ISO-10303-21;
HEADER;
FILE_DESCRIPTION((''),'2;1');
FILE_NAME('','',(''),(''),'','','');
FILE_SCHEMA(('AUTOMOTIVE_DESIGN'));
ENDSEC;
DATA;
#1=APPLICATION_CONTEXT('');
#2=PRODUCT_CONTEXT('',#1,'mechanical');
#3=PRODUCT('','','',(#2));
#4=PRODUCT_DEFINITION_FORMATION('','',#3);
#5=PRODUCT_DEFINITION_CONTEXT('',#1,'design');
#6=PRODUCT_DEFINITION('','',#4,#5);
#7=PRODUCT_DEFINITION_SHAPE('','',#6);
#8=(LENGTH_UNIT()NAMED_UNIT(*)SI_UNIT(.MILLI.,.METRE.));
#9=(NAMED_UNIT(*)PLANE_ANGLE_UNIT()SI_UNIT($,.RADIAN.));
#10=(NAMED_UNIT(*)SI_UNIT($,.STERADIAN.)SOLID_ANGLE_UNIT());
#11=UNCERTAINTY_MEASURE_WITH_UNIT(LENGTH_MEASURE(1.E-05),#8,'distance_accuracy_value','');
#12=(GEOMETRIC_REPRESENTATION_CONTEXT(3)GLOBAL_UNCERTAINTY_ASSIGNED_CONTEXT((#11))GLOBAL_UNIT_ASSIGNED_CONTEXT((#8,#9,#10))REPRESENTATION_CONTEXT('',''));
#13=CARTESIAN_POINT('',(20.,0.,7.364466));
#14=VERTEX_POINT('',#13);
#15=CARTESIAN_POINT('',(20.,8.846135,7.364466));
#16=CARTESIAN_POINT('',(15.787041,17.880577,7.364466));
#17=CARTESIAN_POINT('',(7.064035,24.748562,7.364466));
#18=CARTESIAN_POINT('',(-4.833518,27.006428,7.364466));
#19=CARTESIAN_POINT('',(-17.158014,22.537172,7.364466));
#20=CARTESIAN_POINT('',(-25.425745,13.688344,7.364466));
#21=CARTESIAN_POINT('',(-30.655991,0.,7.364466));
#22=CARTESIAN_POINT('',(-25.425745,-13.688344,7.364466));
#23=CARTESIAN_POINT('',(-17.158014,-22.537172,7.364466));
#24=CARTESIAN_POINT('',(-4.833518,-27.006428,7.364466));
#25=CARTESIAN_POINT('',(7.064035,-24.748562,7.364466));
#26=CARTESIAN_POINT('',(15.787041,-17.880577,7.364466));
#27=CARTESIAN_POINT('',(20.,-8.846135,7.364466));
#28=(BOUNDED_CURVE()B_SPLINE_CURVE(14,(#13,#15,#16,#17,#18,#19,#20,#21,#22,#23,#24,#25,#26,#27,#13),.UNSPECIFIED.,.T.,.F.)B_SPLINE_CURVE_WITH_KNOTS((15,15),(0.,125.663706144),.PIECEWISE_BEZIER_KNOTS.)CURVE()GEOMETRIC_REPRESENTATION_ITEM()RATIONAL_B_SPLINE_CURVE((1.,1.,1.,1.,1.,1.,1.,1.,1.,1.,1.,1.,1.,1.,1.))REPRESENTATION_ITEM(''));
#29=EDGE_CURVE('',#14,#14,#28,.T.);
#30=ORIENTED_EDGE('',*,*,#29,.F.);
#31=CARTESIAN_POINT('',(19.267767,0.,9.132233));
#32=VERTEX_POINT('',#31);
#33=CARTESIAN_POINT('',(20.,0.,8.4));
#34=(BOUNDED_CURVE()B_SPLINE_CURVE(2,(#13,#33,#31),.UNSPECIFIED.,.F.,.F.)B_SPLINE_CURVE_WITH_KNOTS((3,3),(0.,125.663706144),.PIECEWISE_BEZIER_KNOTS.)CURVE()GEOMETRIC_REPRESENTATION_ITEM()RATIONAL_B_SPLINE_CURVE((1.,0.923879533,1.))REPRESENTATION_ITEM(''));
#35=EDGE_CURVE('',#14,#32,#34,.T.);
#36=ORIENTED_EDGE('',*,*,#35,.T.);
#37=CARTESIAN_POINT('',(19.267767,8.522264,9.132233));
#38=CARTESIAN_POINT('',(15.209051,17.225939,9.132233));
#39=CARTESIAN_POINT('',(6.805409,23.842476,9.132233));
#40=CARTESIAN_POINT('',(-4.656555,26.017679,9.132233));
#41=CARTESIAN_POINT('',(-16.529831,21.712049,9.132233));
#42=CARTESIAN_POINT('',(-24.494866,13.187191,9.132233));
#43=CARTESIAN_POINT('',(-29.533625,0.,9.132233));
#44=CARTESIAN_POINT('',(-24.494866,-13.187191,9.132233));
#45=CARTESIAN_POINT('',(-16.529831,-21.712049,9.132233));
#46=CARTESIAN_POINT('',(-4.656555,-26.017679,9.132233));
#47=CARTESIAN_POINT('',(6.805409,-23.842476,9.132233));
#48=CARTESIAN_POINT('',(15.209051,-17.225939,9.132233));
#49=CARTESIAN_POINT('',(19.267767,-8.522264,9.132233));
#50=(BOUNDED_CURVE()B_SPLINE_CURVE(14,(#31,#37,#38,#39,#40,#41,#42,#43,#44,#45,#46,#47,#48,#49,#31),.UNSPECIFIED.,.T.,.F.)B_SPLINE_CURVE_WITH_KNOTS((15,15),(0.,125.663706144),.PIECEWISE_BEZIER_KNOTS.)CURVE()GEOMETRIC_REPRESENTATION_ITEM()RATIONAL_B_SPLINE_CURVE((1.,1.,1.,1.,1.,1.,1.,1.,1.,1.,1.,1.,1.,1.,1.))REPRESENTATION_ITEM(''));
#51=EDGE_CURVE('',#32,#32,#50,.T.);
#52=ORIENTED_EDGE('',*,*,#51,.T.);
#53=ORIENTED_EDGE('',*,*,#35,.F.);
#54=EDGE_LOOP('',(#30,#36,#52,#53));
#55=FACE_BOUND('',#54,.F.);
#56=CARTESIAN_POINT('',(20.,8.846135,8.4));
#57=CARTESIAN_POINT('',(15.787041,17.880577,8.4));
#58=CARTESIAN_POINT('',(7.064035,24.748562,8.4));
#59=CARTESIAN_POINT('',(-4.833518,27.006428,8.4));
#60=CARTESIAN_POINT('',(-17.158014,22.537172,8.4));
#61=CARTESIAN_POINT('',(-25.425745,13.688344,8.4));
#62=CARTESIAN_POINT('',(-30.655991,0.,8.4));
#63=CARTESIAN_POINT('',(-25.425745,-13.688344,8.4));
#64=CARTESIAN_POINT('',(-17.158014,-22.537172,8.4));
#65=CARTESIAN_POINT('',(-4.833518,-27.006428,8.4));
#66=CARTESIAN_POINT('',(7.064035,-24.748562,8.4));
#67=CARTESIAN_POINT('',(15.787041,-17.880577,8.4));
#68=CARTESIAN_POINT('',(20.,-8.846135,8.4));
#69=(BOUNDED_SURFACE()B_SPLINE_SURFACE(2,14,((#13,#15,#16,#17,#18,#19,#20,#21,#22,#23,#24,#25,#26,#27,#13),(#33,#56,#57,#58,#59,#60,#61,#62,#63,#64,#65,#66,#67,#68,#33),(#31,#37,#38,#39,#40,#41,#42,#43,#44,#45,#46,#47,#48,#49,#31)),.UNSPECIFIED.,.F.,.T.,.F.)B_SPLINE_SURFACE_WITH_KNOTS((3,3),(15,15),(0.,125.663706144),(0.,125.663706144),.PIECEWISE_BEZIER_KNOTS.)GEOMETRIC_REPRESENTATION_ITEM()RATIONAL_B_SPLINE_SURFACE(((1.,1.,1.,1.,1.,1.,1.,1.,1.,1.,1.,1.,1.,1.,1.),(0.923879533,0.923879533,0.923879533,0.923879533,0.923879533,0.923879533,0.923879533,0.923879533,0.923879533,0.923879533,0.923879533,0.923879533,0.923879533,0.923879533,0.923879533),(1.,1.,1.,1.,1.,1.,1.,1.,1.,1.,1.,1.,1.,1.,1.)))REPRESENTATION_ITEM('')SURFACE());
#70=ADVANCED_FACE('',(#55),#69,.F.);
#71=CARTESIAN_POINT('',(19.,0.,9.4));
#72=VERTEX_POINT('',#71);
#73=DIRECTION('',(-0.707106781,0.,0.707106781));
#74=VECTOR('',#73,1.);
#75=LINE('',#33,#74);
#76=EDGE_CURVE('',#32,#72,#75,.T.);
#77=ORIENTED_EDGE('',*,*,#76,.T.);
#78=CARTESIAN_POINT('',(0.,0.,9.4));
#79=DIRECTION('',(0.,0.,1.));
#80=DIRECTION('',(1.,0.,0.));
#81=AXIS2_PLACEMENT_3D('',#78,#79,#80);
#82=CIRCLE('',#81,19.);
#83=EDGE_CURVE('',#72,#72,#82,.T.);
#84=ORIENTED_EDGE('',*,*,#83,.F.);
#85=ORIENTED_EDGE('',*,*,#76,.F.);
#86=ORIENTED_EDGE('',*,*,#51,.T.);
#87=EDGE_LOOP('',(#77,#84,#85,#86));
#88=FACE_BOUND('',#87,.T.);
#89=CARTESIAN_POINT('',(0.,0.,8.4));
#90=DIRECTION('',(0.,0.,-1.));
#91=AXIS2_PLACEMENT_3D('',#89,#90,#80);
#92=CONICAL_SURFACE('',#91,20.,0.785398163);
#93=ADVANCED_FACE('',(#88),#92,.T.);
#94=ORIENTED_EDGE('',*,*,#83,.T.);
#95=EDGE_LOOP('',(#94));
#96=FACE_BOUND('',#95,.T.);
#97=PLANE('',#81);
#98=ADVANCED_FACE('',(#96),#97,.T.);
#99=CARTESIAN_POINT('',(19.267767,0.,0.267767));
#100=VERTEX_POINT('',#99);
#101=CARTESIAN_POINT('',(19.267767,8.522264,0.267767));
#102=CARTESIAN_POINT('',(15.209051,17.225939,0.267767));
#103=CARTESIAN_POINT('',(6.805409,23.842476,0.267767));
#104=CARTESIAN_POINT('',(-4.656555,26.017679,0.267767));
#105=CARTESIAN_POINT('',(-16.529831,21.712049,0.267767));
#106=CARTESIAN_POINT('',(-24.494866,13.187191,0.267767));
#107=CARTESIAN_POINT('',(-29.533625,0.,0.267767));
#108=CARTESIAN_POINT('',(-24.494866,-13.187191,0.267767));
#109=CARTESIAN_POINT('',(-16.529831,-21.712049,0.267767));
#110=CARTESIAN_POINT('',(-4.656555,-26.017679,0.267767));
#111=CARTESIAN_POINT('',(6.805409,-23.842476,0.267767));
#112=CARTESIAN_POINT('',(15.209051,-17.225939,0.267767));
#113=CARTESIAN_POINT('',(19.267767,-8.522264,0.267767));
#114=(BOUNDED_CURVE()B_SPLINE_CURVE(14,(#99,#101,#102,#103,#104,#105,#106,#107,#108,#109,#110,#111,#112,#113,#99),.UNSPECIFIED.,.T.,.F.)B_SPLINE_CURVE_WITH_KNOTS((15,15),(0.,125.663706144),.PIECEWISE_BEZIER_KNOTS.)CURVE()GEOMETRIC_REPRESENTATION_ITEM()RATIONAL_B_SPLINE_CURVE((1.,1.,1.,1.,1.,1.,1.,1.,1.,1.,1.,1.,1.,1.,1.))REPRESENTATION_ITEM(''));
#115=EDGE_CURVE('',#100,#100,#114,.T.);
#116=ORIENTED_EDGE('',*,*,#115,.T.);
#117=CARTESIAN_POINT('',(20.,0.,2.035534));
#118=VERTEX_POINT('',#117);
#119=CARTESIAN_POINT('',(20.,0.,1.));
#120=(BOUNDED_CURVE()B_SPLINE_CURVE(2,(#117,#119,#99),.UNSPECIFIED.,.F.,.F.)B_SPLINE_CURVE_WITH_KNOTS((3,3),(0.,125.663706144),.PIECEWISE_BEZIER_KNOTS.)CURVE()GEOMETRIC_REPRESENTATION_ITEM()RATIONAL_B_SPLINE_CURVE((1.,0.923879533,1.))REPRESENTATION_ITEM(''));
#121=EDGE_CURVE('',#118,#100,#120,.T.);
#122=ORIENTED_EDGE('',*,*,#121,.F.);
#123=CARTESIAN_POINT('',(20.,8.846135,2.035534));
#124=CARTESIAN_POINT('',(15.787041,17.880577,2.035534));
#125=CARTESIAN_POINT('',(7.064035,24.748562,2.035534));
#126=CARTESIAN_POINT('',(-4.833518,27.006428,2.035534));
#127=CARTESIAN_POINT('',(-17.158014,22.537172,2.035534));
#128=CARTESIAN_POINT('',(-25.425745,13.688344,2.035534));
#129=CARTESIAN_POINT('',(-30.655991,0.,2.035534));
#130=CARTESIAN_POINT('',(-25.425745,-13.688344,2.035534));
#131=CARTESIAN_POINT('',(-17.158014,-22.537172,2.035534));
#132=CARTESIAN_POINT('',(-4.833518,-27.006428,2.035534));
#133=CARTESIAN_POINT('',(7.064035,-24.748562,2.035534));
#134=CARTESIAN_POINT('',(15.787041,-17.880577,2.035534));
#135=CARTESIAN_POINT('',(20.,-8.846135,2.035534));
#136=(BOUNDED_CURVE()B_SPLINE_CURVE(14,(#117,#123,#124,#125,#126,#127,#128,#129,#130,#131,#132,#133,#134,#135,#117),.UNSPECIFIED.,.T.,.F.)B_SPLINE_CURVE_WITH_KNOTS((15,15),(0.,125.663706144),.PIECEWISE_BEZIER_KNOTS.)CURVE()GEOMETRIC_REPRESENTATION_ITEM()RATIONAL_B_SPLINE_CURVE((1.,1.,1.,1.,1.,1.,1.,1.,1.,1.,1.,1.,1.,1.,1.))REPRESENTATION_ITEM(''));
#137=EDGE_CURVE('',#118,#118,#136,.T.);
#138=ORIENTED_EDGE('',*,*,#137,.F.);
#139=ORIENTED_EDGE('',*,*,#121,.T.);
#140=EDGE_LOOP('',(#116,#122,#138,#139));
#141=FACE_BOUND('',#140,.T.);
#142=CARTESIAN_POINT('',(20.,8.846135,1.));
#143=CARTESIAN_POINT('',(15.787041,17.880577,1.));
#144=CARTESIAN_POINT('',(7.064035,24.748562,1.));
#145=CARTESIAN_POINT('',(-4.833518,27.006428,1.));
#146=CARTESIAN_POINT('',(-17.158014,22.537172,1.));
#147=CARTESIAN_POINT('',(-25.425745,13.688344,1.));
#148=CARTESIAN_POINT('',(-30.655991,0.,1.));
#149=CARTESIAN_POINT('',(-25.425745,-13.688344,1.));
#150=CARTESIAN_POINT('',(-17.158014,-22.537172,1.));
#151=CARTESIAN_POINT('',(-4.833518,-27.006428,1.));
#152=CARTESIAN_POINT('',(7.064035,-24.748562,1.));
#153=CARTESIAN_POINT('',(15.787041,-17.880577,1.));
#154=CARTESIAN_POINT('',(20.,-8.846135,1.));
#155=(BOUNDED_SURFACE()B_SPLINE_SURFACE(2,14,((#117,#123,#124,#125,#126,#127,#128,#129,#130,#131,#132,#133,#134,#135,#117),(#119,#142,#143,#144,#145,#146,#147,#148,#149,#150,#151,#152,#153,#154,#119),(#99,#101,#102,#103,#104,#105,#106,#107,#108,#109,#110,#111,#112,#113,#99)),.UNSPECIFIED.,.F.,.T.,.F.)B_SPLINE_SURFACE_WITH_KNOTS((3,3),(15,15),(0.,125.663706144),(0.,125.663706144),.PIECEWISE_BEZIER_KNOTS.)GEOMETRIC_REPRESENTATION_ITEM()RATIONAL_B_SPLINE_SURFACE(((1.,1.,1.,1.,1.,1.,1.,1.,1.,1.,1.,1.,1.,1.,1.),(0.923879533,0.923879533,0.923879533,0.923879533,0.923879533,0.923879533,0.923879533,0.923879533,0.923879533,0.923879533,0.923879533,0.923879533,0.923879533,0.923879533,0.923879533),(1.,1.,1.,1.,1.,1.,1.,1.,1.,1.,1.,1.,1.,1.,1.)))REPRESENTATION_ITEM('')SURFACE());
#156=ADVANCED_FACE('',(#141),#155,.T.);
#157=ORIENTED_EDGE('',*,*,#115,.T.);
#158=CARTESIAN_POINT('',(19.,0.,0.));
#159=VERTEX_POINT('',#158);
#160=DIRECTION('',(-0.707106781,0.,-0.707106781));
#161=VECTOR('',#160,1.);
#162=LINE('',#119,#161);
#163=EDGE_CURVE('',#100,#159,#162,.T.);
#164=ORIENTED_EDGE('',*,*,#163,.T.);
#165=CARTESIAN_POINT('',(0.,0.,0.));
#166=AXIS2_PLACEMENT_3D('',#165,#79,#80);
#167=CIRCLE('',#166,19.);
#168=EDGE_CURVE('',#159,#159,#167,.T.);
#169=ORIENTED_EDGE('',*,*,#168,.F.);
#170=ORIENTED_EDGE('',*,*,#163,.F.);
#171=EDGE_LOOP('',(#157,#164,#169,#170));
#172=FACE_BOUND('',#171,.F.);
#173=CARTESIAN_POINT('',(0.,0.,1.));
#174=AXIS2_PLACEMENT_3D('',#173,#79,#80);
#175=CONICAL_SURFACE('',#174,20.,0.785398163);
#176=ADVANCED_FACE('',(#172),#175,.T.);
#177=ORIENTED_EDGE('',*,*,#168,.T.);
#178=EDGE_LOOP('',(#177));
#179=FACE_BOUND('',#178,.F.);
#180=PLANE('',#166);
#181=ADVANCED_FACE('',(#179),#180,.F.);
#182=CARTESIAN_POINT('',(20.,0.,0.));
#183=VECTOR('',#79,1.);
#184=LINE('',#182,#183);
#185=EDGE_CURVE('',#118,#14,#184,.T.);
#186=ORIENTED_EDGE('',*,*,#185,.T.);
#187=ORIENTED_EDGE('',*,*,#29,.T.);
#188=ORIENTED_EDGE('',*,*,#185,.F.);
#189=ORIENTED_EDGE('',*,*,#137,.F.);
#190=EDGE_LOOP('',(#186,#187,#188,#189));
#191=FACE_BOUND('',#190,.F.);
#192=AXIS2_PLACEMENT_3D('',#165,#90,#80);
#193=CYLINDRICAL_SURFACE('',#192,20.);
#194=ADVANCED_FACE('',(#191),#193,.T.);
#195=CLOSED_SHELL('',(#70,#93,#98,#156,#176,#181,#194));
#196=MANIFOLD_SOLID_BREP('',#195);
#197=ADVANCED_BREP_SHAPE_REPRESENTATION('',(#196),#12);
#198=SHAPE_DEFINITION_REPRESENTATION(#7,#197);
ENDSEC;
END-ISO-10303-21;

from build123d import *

# Parameters (mm, degrees)
F0_R     = 20
F1_DEPTH = 9.4
F2_SIZE  = 1
F3_R     = 2.5


with BuildPart() as f1:
    # F0 (on Top) → F1 (new body)
    with BuildSketch(Plane.XY):
        Circle(F0_R)
    extrude(amount=F1_DEPTH)

    # F2
    f2_edges = [f1.edges().sort_by_distance(p)[0] for p in [
        (-20, 0, 9.4),
        (-20, 0, 0),
    ]]
    chamfer(f2_edges, length=F2_SIZE)

    # F3
    f3_edges = [f1.edges().sort_by_distance(p)[0] for p in [
        (-20, 0, 8.4),
        (-20, 0, 1),
    ]]
    fillet(f3_edges, radius=F3_R)


solid = f1.part
